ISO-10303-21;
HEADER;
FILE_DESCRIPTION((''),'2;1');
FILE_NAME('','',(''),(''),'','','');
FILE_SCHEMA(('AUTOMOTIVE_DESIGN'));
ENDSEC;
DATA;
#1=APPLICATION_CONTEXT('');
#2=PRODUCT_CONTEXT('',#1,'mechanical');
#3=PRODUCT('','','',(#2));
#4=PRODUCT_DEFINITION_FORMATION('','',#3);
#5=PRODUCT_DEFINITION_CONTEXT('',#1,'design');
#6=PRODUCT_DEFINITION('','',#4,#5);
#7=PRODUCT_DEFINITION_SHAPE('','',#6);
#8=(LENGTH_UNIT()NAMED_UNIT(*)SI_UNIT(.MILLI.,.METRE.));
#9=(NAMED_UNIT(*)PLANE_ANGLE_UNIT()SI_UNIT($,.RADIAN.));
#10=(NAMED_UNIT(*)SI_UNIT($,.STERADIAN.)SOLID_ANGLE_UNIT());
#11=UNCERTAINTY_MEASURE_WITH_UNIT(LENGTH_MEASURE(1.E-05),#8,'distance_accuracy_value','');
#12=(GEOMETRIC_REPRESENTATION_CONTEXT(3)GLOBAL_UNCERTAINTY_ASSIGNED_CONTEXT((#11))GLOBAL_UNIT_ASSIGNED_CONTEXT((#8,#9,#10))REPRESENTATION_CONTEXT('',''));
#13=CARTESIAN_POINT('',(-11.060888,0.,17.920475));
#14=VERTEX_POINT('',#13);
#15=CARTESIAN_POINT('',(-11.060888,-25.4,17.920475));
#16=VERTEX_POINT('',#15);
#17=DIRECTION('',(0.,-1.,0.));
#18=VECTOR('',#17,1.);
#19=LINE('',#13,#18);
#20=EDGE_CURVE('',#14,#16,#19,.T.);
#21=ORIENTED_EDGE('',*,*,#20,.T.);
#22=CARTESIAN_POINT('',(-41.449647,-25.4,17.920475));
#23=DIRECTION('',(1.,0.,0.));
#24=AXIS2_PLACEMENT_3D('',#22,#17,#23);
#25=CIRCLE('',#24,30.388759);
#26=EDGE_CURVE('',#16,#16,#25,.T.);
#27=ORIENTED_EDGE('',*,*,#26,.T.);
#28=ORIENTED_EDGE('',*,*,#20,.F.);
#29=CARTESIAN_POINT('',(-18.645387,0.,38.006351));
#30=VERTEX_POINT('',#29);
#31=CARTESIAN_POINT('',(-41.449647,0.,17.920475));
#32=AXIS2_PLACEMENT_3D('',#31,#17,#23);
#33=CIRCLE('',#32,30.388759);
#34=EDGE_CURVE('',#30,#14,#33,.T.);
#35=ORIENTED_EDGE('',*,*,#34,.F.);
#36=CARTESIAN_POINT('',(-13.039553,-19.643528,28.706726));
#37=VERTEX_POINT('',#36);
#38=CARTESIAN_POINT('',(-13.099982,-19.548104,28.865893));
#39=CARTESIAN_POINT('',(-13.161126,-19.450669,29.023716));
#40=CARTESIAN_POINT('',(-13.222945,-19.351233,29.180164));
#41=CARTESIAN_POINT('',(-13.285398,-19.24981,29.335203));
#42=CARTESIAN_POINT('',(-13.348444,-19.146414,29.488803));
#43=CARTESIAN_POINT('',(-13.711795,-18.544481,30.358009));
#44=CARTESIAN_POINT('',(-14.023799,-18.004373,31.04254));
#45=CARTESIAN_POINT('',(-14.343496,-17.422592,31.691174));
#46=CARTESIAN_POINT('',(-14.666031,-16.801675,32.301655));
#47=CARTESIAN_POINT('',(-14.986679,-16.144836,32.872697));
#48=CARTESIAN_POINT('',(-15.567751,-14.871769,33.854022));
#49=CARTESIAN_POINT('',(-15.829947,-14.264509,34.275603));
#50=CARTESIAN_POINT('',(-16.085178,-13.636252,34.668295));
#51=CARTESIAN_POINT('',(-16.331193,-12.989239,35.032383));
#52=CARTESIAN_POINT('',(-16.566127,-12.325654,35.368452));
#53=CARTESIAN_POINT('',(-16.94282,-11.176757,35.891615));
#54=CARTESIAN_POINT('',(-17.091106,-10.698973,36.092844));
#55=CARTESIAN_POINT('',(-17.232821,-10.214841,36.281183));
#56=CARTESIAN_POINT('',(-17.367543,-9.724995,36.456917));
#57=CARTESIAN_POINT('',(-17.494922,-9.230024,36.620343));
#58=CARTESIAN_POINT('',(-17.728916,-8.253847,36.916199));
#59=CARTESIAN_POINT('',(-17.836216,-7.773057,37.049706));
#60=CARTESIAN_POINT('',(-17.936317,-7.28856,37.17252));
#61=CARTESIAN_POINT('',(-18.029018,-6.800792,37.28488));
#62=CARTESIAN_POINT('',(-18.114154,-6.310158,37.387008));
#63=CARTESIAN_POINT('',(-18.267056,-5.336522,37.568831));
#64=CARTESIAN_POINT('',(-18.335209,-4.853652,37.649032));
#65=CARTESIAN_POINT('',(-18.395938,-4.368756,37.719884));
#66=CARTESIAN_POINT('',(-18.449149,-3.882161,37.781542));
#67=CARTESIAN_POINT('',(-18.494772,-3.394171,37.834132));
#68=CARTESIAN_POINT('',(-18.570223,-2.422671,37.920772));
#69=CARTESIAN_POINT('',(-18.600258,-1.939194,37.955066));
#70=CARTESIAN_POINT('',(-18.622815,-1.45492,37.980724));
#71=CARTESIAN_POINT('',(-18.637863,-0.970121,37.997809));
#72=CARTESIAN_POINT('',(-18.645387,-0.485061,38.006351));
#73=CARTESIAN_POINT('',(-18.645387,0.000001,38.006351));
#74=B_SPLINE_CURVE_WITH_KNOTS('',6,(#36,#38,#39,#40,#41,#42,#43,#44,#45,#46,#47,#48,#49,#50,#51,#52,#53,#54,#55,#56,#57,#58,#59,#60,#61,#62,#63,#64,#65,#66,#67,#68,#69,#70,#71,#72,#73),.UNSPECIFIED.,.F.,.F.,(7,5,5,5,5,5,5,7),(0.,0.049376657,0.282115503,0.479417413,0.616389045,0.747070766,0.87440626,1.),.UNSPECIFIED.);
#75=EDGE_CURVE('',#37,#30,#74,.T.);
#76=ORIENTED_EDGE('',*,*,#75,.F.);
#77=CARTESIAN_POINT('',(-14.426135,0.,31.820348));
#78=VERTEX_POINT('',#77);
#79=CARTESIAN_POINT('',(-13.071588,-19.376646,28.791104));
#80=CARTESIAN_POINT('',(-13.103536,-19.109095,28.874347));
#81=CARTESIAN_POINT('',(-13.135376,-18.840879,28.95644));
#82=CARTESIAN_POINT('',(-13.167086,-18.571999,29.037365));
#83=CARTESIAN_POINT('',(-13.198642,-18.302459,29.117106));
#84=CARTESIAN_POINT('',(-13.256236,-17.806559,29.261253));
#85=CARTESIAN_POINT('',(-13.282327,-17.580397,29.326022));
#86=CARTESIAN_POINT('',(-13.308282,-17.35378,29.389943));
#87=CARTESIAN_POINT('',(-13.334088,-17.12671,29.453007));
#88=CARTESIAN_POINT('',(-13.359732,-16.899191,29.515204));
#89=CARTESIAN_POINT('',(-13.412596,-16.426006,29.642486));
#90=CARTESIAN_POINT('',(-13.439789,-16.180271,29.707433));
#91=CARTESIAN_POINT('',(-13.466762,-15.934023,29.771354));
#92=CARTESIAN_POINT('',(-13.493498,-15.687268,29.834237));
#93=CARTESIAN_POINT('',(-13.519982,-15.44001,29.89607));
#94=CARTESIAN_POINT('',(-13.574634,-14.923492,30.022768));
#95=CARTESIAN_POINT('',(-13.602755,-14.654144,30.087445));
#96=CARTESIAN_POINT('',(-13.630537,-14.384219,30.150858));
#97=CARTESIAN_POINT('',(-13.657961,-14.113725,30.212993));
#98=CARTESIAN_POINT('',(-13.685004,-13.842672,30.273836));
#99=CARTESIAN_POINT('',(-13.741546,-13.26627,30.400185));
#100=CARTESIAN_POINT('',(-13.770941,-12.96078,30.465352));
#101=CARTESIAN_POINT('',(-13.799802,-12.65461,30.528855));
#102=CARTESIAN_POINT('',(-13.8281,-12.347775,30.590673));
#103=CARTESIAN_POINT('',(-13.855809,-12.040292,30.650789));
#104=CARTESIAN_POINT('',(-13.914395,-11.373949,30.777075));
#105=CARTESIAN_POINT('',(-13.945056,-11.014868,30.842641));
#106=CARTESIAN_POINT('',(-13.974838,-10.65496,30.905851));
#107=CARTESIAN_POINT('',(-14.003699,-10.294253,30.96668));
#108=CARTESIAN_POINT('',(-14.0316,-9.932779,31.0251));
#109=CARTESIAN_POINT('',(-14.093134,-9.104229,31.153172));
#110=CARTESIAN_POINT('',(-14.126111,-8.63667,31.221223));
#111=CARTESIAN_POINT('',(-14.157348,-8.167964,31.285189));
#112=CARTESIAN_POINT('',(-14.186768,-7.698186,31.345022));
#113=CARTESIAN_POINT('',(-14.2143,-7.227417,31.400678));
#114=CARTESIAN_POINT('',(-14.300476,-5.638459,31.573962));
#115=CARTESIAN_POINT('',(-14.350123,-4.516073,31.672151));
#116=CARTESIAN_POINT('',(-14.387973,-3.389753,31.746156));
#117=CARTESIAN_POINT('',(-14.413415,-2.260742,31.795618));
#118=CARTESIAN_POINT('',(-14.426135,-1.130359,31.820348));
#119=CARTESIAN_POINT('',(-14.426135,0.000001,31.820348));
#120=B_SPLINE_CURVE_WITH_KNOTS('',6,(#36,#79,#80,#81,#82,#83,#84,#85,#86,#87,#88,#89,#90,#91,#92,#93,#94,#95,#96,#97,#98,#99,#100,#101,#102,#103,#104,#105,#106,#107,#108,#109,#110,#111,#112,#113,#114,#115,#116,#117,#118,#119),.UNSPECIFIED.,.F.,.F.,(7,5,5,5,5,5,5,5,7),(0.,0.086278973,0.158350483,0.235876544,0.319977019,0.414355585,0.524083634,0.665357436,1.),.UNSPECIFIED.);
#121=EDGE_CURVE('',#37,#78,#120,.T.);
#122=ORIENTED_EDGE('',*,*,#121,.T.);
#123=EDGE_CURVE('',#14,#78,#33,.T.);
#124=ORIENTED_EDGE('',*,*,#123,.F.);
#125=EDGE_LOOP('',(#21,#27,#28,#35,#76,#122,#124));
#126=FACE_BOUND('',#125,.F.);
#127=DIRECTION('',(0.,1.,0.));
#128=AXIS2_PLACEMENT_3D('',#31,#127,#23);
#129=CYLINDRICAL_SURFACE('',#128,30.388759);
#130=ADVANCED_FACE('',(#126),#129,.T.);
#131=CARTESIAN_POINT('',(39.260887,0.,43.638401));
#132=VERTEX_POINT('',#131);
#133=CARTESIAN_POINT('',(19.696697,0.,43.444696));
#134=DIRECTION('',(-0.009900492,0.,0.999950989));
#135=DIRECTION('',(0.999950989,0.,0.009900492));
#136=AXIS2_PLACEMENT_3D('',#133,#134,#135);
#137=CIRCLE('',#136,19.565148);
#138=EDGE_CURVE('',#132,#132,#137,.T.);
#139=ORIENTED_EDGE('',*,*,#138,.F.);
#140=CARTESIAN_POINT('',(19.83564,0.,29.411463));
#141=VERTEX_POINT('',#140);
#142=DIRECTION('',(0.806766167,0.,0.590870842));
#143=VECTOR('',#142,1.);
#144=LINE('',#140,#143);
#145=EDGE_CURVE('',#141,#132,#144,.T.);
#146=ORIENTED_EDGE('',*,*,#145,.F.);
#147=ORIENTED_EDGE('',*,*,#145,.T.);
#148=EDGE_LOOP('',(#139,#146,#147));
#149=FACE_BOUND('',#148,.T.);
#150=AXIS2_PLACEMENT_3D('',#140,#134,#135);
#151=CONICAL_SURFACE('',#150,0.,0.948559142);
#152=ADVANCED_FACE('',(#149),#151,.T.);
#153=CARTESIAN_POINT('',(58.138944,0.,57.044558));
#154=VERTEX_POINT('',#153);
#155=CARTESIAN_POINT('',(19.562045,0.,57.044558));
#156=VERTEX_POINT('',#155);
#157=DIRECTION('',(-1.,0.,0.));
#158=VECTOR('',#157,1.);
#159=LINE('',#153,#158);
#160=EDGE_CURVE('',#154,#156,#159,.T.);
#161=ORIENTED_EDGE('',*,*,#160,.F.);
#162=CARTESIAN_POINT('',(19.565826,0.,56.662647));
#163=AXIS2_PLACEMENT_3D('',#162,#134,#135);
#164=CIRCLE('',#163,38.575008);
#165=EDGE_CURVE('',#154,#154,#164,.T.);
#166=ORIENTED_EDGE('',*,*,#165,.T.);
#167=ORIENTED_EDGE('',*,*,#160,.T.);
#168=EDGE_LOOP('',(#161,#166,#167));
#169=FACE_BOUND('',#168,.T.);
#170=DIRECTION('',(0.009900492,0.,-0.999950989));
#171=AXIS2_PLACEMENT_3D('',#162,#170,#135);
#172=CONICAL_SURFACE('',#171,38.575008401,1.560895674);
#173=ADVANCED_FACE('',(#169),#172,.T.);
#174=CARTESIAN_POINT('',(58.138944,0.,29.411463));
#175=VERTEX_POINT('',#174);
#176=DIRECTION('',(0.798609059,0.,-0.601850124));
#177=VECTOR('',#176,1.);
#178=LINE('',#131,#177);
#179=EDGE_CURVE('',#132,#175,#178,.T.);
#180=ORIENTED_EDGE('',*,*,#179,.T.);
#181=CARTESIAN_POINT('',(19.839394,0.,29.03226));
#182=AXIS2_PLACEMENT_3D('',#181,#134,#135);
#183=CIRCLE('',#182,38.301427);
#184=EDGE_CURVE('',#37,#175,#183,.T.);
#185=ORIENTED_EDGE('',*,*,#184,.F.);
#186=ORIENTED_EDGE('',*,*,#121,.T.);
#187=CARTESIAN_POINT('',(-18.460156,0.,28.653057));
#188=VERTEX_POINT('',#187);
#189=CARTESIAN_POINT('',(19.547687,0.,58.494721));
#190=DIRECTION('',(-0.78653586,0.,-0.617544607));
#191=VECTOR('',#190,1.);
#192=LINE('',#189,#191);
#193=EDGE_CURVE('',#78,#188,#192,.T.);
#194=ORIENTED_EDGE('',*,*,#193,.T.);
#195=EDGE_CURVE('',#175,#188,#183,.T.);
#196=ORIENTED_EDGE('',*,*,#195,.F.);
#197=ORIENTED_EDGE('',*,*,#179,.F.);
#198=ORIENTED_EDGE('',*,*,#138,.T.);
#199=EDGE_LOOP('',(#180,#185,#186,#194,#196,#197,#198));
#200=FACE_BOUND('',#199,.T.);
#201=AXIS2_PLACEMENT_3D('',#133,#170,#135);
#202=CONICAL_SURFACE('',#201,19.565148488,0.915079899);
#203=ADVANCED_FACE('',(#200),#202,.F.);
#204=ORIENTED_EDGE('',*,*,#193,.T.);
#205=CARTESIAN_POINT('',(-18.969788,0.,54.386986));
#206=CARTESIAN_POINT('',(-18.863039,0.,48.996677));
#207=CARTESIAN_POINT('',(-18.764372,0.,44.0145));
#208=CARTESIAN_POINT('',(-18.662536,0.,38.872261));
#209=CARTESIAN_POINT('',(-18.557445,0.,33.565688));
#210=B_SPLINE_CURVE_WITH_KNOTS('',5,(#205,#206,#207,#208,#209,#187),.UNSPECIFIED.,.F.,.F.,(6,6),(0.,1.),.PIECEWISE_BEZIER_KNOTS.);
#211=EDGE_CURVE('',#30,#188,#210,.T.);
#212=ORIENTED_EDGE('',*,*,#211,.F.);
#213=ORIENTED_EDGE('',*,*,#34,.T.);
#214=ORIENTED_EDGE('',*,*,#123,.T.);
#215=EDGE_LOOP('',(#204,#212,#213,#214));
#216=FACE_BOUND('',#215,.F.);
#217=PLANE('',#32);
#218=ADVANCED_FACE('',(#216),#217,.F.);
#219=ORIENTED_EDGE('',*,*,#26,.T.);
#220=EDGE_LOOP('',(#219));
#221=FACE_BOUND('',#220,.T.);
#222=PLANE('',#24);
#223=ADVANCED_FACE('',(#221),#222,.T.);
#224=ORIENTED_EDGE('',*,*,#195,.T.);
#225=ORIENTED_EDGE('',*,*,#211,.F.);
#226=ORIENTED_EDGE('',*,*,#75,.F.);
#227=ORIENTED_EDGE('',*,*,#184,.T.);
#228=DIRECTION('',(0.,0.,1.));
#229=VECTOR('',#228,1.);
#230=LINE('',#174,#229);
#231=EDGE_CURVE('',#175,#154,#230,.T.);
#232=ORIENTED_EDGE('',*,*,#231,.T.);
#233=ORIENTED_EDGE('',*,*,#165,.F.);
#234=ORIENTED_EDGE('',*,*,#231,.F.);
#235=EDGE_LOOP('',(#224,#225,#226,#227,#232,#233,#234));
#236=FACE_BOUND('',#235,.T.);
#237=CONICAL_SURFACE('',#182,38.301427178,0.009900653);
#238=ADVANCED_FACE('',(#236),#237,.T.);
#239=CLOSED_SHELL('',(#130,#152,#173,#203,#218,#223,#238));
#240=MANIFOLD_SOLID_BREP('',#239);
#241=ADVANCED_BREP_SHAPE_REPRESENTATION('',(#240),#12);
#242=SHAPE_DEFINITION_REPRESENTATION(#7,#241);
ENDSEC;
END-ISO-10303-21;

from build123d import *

# Parameters (mm, degrees)
F0_R     = 30.3887590566
F1_DEPTH = 25.4


with BuildPart() as f1:
    # F0 (on Front) → F1 (new body)
    with BuildSketch(Plane.XZ):
        with Locations((-41.4496473968, 17.9204754531)):
            Circle(F0_R)
    extrude(amount=F1_DEPTH)

    # F2 (on Front) → F3 (revolve)
    with BuildSketch(Plane.XZ):
        Polygon((58.1389442086, 57.0445582271), (19.5620451123, 57.0445582271), (19.835639745, 29.4114630669), (39.2608866096, 43.6384007335), (58.1389442086, 29.4114630669), align=None)
    revolve(axis=Axis((19.6988424286, 0, 43.228010647), (-0.0099004915, 0, 0.9999509889)))


solid = f1.part
